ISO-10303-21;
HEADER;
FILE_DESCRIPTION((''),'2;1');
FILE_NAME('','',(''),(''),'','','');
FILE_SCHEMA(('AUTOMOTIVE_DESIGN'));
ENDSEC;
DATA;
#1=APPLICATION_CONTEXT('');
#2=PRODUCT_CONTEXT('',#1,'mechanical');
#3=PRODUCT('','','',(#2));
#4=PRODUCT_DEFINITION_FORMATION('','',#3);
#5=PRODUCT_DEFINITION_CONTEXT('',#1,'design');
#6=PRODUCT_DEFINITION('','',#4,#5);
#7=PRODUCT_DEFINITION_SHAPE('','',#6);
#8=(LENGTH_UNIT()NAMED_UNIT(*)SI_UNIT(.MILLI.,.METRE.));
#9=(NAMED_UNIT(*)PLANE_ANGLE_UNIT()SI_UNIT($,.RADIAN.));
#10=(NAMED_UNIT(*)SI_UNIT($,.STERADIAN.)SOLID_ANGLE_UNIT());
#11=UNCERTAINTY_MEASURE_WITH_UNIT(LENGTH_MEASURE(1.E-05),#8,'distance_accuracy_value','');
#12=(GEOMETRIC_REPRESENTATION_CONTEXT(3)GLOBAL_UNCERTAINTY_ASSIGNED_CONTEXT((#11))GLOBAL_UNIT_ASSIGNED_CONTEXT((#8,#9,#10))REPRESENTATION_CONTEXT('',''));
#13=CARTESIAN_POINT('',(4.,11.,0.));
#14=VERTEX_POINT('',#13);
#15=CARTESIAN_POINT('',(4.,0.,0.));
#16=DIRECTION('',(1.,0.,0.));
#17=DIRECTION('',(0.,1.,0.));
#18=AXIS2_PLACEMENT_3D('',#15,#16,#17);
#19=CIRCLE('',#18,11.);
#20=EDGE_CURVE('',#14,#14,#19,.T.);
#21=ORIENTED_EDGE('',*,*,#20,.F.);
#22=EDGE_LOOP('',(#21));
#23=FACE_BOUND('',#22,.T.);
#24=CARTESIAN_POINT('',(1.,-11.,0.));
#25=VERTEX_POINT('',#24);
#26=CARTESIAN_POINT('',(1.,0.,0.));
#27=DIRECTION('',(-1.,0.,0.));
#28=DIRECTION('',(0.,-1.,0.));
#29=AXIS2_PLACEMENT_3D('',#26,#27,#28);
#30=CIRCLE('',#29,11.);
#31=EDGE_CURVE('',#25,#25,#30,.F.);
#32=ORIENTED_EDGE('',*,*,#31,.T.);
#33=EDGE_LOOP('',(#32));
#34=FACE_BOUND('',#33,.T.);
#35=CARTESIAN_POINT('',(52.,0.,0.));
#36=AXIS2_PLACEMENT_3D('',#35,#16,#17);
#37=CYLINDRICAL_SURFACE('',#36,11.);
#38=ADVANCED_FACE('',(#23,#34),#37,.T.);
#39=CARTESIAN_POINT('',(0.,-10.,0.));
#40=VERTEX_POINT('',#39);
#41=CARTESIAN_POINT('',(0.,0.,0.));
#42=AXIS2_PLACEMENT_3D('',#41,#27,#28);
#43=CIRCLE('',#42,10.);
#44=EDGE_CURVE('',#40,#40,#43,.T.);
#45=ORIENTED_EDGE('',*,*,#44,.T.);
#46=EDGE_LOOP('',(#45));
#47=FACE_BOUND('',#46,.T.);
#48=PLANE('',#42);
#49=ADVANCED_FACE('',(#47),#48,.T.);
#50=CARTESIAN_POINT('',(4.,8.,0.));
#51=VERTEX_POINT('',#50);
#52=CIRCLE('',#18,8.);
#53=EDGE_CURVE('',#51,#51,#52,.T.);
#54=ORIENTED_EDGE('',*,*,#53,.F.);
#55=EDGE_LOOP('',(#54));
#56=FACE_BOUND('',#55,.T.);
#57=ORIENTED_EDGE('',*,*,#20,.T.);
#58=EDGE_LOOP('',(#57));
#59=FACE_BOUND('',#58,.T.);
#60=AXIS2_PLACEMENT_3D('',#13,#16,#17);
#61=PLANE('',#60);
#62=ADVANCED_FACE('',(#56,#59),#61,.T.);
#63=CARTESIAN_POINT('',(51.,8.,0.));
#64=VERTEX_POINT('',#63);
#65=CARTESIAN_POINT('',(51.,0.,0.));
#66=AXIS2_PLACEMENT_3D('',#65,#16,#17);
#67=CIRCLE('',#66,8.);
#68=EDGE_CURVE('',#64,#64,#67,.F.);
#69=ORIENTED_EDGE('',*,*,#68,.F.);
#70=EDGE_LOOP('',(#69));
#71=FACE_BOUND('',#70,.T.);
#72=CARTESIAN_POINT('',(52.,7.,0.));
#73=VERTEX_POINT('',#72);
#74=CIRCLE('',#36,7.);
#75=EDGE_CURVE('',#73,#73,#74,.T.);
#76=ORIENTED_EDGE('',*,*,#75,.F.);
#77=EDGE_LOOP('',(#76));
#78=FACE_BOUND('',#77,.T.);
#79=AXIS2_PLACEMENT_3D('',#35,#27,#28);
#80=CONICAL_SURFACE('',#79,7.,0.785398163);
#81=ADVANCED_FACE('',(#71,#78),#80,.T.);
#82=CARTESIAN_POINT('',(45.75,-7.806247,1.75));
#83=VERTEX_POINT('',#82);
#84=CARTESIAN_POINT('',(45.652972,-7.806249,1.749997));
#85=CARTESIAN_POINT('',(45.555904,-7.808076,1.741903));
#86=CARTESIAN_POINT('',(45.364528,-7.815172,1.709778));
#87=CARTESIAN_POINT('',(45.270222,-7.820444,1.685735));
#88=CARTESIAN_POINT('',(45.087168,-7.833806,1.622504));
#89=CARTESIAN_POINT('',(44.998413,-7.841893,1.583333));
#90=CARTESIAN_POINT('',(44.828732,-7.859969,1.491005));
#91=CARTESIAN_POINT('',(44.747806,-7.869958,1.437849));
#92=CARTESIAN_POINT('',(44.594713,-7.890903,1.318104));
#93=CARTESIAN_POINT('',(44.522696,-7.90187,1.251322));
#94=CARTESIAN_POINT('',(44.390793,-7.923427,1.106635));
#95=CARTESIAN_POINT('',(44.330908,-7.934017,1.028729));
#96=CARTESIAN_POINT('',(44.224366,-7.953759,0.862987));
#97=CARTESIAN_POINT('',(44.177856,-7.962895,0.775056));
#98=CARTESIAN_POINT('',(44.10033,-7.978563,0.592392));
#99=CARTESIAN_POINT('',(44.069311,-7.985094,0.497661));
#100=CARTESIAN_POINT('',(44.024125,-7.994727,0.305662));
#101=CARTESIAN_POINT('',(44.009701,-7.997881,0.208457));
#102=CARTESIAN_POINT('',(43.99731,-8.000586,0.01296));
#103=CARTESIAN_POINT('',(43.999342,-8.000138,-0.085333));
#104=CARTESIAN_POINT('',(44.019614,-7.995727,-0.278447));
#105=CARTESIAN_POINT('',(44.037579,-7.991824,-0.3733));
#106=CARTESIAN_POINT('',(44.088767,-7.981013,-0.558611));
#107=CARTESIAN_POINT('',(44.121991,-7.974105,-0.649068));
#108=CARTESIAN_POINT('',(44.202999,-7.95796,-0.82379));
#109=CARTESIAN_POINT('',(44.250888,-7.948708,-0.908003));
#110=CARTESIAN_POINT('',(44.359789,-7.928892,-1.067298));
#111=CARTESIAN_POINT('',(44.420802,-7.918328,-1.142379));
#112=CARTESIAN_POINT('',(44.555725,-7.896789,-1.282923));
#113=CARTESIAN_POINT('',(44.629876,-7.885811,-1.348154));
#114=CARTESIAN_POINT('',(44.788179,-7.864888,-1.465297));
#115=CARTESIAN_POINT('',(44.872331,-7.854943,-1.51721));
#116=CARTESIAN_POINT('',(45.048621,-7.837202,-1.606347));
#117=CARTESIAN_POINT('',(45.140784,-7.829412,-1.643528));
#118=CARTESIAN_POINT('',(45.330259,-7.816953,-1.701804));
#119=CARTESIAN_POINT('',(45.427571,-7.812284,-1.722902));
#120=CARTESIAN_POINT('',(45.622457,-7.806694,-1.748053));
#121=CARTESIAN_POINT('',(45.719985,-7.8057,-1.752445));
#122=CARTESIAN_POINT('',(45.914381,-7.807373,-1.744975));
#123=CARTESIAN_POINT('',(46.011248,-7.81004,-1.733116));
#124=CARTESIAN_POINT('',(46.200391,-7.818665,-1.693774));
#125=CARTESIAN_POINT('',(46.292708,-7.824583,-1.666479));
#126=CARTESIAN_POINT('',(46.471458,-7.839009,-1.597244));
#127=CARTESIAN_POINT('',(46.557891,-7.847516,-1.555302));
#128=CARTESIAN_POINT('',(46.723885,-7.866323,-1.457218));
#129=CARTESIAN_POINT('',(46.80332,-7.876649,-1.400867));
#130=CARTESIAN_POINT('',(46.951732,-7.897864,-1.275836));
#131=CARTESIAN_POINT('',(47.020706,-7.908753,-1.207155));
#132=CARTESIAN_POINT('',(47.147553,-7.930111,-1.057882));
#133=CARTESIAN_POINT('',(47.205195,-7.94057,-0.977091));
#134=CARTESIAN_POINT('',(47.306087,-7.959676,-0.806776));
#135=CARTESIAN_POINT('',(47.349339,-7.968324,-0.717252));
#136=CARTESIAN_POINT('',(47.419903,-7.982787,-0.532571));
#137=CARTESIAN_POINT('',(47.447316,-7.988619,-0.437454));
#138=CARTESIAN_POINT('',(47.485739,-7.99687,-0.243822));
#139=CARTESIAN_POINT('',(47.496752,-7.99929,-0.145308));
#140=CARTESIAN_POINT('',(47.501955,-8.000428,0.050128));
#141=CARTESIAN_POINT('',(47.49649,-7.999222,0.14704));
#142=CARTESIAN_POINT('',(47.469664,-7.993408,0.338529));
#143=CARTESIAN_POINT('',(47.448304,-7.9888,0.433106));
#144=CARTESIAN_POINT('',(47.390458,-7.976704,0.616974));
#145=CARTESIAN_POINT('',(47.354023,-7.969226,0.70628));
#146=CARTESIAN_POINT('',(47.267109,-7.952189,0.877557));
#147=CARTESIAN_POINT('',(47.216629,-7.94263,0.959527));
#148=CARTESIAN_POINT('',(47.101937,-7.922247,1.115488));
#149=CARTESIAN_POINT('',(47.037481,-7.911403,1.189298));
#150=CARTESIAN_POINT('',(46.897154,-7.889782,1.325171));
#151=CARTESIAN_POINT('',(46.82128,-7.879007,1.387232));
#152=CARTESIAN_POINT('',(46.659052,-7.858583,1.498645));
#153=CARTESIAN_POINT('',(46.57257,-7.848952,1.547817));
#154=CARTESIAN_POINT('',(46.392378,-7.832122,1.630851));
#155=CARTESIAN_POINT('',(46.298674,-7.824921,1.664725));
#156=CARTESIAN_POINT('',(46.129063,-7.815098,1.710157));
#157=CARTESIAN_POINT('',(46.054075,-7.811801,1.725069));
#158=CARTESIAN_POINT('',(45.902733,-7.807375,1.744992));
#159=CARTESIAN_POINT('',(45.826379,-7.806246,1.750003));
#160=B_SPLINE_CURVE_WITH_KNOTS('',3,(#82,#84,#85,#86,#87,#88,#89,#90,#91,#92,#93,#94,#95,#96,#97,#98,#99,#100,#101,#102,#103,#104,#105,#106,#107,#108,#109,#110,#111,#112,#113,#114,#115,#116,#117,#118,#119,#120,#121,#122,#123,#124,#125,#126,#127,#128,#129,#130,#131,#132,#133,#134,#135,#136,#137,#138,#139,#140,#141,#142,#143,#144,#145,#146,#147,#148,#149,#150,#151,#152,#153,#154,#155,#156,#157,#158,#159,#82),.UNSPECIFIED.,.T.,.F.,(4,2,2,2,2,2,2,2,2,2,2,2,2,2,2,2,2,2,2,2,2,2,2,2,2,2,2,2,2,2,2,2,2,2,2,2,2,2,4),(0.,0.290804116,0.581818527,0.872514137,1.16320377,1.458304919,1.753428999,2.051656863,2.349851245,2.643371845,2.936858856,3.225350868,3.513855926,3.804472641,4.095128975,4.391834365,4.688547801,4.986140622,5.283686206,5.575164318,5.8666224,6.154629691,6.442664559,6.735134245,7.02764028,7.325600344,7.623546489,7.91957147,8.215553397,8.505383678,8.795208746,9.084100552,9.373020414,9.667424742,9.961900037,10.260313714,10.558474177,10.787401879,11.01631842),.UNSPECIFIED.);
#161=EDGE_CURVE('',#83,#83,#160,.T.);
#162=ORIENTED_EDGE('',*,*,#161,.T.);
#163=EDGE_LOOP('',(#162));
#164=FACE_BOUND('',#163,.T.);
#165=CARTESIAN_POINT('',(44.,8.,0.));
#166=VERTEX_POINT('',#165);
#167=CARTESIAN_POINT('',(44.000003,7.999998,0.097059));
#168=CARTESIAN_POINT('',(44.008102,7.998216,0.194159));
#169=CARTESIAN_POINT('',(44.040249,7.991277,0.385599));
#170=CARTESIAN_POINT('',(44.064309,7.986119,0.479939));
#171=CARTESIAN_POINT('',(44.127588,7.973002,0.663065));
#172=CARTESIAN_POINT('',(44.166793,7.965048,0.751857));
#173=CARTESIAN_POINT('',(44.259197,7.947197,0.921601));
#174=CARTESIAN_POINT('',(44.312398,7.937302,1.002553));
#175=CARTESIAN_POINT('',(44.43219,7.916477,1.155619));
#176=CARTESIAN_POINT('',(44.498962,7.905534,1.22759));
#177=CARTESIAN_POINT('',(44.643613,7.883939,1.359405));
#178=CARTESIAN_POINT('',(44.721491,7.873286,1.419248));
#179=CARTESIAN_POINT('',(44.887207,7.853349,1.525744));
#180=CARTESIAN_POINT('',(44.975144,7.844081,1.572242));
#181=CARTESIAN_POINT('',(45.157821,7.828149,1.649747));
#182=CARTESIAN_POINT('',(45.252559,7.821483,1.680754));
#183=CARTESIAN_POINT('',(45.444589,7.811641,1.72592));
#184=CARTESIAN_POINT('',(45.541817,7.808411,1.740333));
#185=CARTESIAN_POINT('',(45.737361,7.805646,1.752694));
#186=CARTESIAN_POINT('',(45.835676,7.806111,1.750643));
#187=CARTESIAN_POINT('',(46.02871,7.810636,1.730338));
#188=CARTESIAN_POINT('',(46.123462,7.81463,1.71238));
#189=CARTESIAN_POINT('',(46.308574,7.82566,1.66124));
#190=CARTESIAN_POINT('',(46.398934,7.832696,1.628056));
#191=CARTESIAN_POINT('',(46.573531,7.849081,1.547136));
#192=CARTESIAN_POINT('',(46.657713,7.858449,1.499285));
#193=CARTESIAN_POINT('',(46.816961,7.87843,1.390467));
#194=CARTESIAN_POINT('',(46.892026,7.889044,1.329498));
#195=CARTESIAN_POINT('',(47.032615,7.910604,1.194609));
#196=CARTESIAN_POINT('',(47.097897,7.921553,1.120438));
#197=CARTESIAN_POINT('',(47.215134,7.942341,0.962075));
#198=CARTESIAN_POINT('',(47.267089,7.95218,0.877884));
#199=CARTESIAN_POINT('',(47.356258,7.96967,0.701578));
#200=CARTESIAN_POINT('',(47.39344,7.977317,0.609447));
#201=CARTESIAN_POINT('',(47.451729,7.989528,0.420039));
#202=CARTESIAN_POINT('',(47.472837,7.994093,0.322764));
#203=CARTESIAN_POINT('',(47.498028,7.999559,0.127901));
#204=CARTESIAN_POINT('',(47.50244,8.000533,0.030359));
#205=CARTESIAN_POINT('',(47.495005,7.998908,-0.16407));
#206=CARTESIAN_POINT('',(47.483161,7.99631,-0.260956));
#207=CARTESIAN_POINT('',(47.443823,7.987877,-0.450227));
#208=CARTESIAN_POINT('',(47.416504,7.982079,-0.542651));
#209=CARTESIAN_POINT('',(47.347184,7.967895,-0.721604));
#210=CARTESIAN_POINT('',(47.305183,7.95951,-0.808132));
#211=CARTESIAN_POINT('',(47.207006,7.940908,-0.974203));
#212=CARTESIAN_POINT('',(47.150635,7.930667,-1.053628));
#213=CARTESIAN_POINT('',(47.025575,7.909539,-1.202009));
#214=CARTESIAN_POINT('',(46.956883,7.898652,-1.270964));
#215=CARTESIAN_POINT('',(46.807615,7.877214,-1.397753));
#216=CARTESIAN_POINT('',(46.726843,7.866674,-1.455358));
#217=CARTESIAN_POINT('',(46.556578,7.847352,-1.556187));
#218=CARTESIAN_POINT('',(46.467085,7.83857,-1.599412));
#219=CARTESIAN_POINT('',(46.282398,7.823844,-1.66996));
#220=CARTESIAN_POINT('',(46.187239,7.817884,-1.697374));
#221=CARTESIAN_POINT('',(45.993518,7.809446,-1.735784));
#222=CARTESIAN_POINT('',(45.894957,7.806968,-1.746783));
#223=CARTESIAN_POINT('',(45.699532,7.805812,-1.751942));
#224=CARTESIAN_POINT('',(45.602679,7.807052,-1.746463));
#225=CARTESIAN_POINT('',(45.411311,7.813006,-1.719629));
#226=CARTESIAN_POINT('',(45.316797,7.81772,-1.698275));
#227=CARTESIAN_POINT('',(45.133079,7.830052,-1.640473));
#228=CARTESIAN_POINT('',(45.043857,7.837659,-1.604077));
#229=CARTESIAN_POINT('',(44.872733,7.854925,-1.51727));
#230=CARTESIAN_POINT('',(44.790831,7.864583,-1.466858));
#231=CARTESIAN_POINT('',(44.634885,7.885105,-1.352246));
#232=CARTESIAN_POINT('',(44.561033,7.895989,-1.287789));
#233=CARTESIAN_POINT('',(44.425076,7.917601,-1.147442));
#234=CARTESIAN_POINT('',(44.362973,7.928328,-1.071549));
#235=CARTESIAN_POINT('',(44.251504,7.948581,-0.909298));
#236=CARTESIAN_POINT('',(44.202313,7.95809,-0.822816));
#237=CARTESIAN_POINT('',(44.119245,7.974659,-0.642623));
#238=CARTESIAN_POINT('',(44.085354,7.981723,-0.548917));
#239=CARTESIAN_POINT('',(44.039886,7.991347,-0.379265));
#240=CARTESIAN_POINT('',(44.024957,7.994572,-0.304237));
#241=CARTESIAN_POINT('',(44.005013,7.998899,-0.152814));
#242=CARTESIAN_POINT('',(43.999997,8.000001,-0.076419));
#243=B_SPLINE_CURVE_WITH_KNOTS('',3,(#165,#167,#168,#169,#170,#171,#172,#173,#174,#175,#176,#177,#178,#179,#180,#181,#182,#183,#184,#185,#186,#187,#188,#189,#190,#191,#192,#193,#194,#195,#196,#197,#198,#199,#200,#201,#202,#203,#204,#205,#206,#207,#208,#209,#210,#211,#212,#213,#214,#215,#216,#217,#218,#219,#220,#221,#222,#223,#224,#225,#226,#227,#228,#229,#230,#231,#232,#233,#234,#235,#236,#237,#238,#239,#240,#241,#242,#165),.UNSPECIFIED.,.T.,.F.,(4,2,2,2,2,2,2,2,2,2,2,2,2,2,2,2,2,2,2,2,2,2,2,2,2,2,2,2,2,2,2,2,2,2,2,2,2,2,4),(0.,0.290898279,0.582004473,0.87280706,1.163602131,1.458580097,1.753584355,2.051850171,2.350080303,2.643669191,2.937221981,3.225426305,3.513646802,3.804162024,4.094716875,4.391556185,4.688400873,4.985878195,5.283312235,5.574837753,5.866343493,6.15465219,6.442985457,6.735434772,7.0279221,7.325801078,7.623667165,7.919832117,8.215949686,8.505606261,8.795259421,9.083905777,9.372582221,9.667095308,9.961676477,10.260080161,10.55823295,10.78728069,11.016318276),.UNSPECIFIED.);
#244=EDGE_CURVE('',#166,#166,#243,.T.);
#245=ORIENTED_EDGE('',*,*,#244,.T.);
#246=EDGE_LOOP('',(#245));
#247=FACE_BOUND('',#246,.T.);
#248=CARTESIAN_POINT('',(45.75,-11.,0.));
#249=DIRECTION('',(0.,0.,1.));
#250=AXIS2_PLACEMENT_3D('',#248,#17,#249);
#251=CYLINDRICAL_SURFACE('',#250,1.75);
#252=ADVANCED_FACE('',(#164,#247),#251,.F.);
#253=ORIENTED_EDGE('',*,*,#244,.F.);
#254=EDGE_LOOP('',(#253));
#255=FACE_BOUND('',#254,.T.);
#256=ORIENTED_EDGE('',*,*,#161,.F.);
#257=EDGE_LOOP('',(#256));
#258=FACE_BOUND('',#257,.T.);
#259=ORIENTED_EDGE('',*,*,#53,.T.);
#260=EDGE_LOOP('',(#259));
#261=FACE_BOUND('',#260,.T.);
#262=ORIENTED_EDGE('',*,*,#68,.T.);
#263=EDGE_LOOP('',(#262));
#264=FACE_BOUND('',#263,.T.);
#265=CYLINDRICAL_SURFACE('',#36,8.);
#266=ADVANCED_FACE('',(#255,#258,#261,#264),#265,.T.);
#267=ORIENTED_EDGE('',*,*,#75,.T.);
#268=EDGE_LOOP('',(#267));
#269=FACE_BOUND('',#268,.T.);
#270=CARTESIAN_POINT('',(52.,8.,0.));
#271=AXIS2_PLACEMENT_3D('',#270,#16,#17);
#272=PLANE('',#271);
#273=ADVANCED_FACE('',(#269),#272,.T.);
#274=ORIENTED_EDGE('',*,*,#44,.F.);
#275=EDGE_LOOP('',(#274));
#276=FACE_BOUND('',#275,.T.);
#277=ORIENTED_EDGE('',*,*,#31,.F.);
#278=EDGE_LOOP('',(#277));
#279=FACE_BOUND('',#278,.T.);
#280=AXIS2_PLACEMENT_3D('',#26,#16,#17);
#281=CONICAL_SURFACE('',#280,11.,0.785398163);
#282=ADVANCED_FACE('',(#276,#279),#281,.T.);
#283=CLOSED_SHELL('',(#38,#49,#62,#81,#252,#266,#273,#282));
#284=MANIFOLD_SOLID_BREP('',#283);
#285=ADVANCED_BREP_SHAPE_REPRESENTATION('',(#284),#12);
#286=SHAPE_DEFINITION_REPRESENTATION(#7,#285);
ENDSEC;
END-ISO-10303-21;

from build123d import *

# Parameters (mm, degrees)
SZKIC2_R                        = 1.75
WYTNIJ_WYCI_GNI_CIE1_DEPTH      = 12
WYTNIJ_WYCI_GNI_CIE1_DEPTH_BACK = 12
SFAZOWANIE1_SIZE                = 1


with BuildPart() as part:
    # Szkic1 → Obrót1 (revolve)
    with BuildSketch(Plane.XY):
        Polygon((0, 0), (0, 11), (4, 11), (4, 8), (52, 8), (52, 0), align=None)
    revolve(axis=Axis((52, 0, 0), (-1, 0, 0)))

    # Szkic2 → Wytnij-wyciągnięcie1 (cut, two sides)
    with BuildSketch(Plane(origin=(0, 0, 0), x_dir=(1, 0, 0), z_dir=(0, 1, 0))) as wytnij_wyci_gni_cie1_sk:
        with Locations((45.75, 0)):
            Circle(SZKIC2_R)
    extrude(amount=WYTNIJ_WYCI_GNI_CIE1_DEPTH, mode=Mode.SUBTRACT)
    extrude(wytnij_wyci_gni_cie1_sk.sketch, amount=-WYTNIJ_WYCI_GNI_CIE1_DEPTH_BACK, mode=Mode.SUBTRACT)

    # Sfazowanie1
    sfazowanie1_edges = [part.edges().sort_by_distance(p)[0] for p in [
        (52, -8, 0),
        (0, -11, 0),
    ]]
    chamfer(sfazowanie1_edges, length=SFAZOWANIE1_SIZE)


solid = part.part
